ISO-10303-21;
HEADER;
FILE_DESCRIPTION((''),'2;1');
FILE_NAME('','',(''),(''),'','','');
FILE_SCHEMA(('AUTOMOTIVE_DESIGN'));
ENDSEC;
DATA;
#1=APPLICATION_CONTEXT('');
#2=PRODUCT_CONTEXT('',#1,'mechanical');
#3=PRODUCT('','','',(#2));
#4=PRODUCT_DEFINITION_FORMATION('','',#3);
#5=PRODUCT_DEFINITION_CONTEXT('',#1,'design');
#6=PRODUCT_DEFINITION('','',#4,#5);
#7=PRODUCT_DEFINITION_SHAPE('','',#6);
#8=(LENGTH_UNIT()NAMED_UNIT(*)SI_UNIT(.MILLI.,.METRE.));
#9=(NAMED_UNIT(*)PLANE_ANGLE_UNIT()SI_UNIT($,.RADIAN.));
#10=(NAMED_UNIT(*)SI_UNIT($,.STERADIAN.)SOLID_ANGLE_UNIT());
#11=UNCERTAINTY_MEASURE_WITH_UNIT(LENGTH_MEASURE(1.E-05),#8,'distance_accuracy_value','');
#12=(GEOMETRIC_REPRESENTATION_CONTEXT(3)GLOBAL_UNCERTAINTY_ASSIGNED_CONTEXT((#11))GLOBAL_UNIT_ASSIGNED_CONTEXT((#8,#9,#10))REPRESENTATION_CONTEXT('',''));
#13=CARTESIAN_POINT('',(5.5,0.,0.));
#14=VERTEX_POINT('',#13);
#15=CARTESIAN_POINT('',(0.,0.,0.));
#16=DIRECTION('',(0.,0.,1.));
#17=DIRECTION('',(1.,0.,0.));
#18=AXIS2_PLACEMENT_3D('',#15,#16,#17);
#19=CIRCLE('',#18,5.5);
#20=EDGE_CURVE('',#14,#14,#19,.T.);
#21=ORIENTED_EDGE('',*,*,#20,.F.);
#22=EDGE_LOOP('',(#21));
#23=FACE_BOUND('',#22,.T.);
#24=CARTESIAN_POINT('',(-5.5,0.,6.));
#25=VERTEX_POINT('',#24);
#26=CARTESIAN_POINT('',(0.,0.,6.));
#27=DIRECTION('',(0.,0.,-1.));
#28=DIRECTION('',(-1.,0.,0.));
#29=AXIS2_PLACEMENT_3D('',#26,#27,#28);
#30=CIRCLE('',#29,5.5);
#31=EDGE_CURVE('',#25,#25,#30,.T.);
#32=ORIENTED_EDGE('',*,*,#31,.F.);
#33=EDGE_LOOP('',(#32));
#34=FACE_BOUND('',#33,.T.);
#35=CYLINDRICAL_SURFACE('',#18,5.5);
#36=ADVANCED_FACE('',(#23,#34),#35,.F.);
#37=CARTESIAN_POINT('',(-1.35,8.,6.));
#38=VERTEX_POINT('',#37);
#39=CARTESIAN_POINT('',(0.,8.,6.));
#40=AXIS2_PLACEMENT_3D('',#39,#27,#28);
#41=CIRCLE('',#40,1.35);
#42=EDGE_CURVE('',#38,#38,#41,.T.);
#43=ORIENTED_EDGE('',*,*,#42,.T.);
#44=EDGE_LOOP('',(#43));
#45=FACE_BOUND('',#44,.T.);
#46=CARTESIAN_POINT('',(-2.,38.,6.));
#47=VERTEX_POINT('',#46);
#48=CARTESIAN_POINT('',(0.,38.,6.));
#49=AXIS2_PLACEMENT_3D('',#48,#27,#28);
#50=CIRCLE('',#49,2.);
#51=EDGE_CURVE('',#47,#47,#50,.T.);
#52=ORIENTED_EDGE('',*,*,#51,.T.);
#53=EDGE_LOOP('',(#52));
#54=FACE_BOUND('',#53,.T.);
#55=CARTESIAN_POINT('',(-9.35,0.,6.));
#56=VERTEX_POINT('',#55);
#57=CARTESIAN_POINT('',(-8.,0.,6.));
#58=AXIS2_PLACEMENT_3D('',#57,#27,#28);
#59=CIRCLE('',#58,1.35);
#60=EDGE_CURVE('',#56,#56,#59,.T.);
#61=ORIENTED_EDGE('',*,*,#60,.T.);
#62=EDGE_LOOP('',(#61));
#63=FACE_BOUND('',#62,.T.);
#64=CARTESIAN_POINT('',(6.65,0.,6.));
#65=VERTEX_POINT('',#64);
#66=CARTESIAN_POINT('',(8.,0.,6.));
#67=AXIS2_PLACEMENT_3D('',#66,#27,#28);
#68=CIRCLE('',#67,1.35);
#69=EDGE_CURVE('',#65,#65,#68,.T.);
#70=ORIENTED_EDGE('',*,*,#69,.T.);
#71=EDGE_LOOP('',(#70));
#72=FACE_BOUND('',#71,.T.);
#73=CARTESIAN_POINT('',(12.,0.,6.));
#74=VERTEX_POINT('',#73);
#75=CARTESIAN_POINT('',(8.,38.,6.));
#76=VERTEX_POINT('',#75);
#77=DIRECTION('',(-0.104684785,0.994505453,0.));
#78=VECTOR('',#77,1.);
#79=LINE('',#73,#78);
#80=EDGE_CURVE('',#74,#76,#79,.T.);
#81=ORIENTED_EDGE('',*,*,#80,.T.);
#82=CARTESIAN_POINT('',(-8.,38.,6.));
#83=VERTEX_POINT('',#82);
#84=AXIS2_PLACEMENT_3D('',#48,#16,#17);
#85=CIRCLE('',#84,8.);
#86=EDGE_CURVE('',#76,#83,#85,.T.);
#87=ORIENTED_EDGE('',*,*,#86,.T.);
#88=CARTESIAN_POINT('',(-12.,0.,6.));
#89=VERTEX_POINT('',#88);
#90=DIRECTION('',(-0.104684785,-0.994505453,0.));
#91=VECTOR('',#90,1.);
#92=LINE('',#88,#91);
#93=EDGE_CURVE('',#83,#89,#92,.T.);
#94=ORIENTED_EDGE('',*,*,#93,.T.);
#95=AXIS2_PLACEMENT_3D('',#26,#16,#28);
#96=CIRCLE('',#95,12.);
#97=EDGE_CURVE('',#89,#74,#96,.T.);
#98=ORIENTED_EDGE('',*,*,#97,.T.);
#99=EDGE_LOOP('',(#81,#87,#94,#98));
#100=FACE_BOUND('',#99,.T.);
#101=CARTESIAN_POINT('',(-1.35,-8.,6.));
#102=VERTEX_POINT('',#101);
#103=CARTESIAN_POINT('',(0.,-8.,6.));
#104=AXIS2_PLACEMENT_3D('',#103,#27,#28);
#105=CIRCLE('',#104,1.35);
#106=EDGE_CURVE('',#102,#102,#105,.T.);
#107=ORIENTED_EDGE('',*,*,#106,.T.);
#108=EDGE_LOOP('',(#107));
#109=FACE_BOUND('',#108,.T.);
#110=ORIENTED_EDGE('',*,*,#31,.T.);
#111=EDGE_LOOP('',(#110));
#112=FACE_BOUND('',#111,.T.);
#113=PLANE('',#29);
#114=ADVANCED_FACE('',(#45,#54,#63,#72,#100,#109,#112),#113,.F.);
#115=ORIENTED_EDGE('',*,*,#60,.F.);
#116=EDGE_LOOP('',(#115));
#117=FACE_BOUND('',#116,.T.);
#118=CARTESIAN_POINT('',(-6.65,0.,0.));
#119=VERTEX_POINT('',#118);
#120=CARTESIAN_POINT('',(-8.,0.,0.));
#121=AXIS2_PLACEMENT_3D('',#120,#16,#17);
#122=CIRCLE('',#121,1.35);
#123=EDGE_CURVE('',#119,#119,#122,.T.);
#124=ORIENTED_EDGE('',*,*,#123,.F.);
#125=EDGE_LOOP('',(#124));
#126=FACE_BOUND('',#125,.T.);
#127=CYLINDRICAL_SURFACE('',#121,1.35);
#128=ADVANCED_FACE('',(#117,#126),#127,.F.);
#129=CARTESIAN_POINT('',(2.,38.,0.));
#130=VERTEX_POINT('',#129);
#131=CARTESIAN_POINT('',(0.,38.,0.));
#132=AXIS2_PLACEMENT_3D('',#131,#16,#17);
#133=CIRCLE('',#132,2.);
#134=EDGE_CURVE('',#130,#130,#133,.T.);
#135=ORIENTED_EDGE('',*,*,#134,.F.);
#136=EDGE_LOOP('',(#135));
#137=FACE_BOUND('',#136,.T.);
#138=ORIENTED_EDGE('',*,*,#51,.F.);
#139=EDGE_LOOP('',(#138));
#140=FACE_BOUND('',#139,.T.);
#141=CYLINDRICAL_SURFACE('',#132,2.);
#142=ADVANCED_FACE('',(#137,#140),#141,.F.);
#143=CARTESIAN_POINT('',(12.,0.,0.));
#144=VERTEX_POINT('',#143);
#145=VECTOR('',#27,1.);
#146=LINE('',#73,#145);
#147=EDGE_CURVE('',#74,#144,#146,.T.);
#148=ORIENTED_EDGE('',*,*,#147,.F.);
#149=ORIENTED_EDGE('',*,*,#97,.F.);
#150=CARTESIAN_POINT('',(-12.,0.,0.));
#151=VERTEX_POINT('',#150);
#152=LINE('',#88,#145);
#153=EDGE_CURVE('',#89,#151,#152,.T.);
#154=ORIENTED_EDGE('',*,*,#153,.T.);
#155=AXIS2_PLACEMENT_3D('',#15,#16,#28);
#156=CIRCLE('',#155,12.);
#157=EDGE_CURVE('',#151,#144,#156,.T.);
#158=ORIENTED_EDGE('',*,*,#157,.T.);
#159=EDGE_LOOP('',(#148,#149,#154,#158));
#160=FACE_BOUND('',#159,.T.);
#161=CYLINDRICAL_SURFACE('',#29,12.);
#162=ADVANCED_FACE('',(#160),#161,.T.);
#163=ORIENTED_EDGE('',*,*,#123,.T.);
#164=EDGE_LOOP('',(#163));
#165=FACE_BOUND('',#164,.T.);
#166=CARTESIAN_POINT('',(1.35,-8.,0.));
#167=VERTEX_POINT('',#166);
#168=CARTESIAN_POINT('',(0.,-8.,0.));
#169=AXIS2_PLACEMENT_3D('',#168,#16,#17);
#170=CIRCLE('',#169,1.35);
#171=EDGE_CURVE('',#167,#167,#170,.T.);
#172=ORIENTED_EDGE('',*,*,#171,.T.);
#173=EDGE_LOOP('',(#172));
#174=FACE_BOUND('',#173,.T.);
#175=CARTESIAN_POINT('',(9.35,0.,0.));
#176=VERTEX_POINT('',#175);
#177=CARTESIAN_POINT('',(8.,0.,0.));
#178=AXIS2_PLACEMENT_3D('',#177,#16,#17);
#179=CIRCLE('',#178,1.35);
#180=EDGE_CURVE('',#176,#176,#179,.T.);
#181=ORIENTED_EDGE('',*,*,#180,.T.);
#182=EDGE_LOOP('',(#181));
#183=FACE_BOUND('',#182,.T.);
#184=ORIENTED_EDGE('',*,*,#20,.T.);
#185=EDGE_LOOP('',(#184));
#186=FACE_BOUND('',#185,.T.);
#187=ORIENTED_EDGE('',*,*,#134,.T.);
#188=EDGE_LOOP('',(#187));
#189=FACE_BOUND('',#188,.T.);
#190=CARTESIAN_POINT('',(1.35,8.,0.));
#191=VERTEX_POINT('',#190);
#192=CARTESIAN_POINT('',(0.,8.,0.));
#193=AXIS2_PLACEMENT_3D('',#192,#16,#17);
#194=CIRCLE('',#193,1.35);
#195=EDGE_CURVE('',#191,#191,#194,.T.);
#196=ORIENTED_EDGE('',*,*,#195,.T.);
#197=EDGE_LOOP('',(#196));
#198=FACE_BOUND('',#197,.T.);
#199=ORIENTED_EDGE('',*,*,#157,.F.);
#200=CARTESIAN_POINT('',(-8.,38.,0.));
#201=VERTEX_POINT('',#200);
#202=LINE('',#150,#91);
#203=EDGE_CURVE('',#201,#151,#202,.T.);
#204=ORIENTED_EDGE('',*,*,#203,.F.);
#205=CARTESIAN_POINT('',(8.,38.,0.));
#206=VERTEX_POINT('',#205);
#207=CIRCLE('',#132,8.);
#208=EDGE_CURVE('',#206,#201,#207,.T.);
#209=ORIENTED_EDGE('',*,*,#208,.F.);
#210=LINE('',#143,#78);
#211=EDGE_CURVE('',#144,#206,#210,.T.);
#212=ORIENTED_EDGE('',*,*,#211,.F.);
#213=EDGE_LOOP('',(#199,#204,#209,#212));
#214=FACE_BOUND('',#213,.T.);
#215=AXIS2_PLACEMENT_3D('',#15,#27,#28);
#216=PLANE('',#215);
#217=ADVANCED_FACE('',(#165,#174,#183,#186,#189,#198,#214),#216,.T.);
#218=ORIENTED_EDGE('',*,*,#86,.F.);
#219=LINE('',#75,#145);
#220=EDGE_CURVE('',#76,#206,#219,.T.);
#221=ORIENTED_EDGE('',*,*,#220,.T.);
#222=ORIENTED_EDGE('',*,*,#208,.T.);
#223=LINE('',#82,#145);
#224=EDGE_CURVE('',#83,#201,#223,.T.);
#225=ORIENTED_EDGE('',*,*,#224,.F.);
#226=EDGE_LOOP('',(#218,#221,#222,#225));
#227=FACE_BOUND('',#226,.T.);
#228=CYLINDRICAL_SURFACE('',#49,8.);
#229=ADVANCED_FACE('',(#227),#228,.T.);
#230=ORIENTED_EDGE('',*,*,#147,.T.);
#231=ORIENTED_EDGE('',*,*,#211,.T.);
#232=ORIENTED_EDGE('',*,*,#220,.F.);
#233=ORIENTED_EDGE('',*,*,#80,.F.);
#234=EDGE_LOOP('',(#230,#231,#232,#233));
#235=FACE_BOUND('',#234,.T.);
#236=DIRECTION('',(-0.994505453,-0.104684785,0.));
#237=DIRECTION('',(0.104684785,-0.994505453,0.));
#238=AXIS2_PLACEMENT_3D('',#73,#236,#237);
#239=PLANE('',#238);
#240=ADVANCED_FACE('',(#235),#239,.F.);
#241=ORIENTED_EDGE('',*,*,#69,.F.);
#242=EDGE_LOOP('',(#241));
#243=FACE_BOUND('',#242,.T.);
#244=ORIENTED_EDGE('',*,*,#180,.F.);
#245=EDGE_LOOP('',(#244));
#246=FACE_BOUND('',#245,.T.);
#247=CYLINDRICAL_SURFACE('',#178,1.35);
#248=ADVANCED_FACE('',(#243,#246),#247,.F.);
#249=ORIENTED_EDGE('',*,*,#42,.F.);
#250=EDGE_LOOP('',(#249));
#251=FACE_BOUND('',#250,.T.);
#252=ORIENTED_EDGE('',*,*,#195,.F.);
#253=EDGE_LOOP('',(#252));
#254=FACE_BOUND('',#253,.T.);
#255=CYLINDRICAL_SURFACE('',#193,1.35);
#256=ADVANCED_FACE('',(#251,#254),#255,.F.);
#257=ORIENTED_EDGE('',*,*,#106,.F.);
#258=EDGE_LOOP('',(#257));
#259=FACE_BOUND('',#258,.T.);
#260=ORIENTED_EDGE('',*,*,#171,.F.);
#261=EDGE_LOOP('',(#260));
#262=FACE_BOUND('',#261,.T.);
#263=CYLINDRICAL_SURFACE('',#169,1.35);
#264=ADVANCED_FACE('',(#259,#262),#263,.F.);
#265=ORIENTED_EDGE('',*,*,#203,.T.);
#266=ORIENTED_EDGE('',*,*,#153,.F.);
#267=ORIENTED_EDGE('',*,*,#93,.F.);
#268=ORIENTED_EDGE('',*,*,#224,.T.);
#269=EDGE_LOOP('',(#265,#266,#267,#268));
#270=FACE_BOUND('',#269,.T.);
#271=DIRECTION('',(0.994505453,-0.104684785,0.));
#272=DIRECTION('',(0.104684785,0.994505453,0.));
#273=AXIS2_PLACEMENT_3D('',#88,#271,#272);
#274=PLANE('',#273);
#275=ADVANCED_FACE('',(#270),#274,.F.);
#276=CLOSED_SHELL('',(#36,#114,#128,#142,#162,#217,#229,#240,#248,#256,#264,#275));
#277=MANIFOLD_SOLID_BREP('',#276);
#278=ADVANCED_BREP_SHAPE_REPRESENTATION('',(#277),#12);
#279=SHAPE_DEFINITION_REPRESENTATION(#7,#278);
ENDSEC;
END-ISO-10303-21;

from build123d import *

# Parameters (mm, degrees)
BOSS_EXTRU_1_DEPTH           = 6
ESQUISSE2_R                  = 5.5
ESQUISSE2_R_2                = 1.35
ESQUISSE2_R_3                = 2
ENL_V_MAT_EXTRU_1_DEPTH      = 1
ENL_V_MAT_EXTRU_1_DEPTH_BACK = 7


with BuildPart() as part:
    # Esquisse1 → Boss.-Extru.1 (new body)
    with BuildSketch(Plane.XY):
        with BuildLine():
            Line((12, 0), (8, 38))
            ThreePointArc((8, 38), (0, 46), (-8, 38))
            Line((-8, 38), (-12, 0))
            ThreePointArc((-12, 0), (0, -12), (12, 0))
        make_face()
    extrude(amount=BOSS_EXTRU_1_DEPTH)

    # Esquisse2 → Enlèv. mat.-Extru.1 (cut, two sides)
    with BuildSketch(Plane.XY.offset(6)) as enl_v_mat_extru_1_sk:
        Circle(ESQUISSE2_R)
        with Locations((8, 0)):
            Circle(ESQUISSE2_R_2)
        with Locations((0, -8)):
            Circle(ESQUISSE2_R_2)
        with Locations((-8, 0)):
            Circle(ESQUISSE2_R_2)
        with Locations((0, 8)):
            Circle(ESQUISSE2_R_2)
        with Locations((0, 38)):
            Circle(ESQUISSE2_R_3)
    extrude(amount=ENL_V_MAT_EXTRU_1_DEPTH, mode=Mode.SUBTRACT)
    extrude(enl_v_mat_extru_1_sk.sketch, amount=-ENL_V_MAT_EXTRU_1_DEPTH_BACK, mode=Mode.SUBTRACT)


solid = part.part
